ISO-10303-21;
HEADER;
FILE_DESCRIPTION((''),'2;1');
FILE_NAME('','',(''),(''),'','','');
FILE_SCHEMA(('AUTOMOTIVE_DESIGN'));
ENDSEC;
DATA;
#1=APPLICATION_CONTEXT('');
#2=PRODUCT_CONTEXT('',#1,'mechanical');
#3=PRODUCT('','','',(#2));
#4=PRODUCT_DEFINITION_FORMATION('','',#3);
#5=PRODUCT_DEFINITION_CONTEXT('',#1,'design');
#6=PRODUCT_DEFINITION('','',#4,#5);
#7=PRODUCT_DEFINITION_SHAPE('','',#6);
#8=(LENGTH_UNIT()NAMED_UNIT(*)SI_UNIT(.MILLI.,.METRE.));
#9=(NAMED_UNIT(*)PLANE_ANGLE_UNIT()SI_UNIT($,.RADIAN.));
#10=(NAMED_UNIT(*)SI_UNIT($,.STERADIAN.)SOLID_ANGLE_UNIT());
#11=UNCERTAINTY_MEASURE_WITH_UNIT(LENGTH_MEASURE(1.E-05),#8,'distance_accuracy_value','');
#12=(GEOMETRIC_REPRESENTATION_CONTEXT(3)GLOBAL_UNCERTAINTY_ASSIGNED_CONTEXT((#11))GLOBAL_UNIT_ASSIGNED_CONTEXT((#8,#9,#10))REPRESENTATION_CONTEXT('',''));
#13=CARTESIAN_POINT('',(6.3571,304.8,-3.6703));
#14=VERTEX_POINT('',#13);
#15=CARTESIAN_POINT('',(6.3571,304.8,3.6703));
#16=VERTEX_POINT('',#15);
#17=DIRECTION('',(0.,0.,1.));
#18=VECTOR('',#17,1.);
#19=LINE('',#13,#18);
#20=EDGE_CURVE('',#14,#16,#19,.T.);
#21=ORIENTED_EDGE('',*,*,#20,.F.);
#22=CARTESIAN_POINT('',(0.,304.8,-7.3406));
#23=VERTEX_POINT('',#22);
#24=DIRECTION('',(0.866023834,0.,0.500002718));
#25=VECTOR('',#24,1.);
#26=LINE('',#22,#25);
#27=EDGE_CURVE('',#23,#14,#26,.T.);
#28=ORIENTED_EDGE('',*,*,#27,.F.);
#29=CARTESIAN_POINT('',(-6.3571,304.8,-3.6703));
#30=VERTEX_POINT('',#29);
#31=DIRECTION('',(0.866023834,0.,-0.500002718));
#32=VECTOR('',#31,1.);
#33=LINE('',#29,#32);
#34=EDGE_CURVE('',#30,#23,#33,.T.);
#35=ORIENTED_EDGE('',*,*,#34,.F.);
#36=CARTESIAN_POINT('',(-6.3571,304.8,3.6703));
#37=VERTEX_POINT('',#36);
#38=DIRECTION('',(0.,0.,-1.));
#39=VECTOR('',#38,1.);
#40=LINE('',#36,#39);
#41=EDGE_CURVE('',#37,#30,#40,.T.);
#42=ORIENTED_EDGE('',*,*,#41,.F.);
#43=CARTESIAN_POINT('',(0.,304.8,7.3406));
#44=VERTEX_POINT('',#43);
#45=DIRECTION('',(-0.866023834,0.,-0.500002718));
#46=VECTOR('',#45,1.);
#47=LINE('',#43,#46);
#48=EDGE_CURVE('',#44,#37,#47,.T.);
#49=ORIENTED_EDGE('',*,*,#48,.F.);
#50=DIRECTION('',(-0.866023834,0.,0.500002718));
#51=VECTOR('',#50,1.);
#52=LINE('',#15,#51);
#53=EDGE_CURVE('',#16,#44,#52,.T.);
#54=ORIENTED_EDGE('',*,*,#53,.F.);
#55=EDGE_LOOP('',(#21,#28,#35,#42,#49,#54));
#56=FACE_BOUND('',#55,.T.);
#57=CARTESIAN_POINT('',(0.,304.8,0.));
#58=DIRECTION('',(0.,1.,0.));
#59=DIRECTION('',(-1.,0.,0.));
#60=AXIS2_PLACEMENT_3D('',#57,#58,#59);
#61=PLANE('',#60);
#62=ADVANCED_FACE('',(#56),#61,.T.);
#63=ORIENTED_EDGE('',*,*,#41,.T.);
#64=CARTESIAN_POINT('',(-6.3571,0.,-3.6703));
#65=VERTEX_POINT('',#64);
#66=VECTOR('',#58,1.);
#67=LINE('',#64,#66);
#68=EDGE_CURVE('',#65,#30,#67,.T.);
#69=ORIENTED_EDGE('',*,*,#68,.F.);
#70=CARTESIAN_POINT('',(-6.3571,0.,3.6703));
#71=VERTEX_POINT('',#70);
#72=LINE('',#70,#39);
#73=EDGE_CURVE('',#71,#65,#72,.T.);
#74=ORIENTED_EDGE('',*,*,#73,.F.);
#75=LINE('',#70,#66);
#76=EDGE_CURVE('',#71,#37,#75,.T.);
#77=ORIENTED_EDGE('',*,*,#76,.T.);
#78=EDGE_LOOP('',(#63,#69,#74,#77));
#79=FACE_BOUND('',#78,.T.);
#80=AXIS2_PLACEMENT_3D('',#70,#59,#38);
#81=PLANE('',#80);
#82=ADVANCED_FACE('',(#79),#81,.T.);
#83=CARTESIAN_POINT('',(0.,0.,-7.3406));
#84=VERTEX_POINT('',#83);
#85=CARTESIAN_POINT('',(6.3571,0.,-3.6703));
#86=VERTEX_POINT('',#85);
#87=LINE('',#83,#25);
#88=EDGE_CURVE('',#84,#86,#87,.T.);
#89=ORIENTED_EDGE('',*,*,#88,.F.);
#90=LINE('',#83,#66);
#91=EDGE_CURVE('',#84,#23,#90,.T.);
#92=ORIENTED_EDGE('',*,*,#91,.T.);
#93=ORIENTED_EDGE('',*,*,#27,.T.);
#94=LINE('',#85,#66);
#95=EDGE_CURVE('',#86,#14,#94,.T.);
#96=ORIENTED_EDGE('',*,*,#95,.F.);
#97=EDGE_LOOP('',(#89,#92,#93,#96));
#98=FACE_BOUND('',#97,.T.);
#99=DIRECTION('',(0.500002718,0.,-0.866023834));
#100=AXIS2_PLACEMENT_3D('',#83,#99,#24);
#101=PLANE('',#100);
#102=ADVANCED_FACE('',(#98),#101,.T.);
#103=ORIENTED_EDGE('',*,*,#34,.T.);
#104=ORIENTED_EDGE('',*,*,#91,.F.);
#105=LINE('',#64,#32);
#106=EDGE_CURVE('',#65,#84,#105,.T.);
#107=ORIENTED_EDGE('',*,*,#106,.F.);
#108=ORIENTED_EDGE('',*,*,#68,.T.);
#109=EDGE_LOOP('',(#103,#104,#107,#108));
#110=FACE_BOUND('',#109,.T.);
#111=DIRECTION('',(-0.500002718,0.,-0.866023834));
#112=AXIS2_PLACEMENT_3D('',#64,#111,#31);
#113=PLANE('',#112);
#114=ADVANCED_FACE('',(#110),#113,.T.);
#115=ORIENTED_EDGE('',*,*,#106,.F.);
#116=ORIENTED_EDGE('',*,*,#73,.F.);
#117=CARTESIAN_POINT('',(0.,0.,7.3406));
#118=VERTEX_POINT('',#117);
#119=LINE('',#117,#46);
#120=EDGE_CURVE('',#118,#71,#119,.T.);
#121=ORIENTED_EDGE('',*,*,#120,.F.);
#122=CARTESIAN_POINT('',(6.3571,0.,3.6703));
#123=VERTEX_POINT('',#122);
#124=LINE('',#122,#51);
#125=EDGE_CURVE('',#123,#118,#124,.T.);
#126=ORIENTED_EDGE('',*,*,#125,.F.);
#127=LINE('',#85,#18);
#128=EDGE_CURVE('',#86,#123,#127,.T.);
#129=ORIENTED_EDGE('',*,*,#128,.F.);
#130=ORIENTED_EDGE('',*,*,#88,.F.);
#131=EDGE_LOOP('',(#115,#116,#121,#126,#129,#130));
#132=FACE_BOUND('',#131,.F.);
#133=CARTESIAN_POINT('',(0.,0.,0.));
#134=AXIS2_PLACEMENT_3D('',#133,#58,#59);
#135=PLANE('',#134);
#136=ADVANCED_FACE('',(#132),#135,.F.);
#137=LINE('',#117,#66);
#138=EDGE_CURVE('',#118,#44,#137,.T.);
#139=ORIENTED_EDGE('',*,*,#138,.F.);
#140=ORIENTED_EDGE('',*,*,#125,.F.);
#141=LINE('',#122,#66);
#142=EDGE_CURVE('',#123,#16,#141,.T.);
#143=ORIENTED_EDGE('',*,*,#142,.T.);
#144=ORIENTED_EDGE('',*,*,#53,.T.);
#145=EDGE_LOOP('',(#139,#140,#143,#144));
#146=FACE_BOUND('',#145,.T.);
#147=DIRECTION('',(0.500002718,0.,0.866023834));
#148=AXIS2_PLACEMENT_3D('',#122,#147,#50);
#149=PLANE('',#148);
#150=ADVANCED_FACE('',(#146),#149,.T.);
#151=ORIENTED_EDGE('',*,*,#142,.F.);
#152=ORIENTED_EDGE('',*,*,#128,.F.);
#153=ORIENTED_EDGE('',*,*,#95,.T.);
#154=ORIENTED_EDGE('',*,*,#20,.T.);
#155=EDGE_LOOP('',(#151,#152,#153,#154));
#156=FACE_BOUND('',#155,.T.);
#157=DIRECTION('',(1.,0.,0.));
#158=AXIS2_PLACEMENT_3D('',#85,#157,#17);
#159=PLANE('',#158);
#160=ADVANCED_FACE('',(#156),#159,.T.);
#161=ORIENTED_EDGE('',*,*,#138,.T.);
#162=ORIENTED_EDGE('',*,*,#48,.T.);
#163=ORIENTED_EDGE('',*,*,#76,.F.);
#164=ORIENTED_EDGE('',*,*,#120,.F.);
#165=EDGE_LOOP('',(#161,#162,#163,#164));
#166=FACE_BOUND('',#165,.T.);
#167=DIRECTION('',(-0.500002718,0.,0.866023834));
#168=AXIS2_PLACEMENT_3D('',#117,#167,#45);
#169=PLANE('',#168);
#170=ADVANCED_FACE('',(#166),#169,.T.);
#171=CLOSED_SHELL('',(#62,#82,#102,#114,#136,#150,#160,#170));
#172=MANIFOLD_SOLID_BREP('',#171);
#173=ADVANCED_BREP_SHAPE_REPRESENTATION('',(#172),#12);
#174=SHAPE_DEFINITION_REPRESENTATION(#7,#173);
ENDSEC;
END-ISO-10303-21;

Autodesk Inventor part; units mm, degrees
ref_plane "YZ Plane" through (0, 0, 0) normal (1, 0, 0) x (0, 1, 0)
ref_plane "XZ Plane" through (0, 0, 0) normal (0, 1, 0) x (-1, 0, 0)
ref_plane "XY Plane" through (0, 0, 0) normal (0, 0, 1) x (1, 0, 0)
sketch "Sketch1" plane through (0, 0, 0) normal (0, 1, 0) x (-1, 0, 0)
  line L0 (0, -7.3406) -> (-6.3571, -3.6703)
  line L1 (-6.3571, -3.6703) -> (-6.3571, 3.6703)
  line L2 (-6.3571, 3.6703) -> (0, 7.3406)
  line L3 (0, 7.3406) -> (6.3571, 3.6703)
  line L4 (6.3571, 3.6703) -> (6.3571, -3.6703)
  line L5 (6.3571, -3.6703) -> (0, -7.3406)
  point P0 (0, 0)
  point P1 (0, 0)
  dimension "d0" = 7.3406
extrude "Extrusion1" add sketch "Sketch1" along normal blind 304.8
properties part number "Arm shaft"
